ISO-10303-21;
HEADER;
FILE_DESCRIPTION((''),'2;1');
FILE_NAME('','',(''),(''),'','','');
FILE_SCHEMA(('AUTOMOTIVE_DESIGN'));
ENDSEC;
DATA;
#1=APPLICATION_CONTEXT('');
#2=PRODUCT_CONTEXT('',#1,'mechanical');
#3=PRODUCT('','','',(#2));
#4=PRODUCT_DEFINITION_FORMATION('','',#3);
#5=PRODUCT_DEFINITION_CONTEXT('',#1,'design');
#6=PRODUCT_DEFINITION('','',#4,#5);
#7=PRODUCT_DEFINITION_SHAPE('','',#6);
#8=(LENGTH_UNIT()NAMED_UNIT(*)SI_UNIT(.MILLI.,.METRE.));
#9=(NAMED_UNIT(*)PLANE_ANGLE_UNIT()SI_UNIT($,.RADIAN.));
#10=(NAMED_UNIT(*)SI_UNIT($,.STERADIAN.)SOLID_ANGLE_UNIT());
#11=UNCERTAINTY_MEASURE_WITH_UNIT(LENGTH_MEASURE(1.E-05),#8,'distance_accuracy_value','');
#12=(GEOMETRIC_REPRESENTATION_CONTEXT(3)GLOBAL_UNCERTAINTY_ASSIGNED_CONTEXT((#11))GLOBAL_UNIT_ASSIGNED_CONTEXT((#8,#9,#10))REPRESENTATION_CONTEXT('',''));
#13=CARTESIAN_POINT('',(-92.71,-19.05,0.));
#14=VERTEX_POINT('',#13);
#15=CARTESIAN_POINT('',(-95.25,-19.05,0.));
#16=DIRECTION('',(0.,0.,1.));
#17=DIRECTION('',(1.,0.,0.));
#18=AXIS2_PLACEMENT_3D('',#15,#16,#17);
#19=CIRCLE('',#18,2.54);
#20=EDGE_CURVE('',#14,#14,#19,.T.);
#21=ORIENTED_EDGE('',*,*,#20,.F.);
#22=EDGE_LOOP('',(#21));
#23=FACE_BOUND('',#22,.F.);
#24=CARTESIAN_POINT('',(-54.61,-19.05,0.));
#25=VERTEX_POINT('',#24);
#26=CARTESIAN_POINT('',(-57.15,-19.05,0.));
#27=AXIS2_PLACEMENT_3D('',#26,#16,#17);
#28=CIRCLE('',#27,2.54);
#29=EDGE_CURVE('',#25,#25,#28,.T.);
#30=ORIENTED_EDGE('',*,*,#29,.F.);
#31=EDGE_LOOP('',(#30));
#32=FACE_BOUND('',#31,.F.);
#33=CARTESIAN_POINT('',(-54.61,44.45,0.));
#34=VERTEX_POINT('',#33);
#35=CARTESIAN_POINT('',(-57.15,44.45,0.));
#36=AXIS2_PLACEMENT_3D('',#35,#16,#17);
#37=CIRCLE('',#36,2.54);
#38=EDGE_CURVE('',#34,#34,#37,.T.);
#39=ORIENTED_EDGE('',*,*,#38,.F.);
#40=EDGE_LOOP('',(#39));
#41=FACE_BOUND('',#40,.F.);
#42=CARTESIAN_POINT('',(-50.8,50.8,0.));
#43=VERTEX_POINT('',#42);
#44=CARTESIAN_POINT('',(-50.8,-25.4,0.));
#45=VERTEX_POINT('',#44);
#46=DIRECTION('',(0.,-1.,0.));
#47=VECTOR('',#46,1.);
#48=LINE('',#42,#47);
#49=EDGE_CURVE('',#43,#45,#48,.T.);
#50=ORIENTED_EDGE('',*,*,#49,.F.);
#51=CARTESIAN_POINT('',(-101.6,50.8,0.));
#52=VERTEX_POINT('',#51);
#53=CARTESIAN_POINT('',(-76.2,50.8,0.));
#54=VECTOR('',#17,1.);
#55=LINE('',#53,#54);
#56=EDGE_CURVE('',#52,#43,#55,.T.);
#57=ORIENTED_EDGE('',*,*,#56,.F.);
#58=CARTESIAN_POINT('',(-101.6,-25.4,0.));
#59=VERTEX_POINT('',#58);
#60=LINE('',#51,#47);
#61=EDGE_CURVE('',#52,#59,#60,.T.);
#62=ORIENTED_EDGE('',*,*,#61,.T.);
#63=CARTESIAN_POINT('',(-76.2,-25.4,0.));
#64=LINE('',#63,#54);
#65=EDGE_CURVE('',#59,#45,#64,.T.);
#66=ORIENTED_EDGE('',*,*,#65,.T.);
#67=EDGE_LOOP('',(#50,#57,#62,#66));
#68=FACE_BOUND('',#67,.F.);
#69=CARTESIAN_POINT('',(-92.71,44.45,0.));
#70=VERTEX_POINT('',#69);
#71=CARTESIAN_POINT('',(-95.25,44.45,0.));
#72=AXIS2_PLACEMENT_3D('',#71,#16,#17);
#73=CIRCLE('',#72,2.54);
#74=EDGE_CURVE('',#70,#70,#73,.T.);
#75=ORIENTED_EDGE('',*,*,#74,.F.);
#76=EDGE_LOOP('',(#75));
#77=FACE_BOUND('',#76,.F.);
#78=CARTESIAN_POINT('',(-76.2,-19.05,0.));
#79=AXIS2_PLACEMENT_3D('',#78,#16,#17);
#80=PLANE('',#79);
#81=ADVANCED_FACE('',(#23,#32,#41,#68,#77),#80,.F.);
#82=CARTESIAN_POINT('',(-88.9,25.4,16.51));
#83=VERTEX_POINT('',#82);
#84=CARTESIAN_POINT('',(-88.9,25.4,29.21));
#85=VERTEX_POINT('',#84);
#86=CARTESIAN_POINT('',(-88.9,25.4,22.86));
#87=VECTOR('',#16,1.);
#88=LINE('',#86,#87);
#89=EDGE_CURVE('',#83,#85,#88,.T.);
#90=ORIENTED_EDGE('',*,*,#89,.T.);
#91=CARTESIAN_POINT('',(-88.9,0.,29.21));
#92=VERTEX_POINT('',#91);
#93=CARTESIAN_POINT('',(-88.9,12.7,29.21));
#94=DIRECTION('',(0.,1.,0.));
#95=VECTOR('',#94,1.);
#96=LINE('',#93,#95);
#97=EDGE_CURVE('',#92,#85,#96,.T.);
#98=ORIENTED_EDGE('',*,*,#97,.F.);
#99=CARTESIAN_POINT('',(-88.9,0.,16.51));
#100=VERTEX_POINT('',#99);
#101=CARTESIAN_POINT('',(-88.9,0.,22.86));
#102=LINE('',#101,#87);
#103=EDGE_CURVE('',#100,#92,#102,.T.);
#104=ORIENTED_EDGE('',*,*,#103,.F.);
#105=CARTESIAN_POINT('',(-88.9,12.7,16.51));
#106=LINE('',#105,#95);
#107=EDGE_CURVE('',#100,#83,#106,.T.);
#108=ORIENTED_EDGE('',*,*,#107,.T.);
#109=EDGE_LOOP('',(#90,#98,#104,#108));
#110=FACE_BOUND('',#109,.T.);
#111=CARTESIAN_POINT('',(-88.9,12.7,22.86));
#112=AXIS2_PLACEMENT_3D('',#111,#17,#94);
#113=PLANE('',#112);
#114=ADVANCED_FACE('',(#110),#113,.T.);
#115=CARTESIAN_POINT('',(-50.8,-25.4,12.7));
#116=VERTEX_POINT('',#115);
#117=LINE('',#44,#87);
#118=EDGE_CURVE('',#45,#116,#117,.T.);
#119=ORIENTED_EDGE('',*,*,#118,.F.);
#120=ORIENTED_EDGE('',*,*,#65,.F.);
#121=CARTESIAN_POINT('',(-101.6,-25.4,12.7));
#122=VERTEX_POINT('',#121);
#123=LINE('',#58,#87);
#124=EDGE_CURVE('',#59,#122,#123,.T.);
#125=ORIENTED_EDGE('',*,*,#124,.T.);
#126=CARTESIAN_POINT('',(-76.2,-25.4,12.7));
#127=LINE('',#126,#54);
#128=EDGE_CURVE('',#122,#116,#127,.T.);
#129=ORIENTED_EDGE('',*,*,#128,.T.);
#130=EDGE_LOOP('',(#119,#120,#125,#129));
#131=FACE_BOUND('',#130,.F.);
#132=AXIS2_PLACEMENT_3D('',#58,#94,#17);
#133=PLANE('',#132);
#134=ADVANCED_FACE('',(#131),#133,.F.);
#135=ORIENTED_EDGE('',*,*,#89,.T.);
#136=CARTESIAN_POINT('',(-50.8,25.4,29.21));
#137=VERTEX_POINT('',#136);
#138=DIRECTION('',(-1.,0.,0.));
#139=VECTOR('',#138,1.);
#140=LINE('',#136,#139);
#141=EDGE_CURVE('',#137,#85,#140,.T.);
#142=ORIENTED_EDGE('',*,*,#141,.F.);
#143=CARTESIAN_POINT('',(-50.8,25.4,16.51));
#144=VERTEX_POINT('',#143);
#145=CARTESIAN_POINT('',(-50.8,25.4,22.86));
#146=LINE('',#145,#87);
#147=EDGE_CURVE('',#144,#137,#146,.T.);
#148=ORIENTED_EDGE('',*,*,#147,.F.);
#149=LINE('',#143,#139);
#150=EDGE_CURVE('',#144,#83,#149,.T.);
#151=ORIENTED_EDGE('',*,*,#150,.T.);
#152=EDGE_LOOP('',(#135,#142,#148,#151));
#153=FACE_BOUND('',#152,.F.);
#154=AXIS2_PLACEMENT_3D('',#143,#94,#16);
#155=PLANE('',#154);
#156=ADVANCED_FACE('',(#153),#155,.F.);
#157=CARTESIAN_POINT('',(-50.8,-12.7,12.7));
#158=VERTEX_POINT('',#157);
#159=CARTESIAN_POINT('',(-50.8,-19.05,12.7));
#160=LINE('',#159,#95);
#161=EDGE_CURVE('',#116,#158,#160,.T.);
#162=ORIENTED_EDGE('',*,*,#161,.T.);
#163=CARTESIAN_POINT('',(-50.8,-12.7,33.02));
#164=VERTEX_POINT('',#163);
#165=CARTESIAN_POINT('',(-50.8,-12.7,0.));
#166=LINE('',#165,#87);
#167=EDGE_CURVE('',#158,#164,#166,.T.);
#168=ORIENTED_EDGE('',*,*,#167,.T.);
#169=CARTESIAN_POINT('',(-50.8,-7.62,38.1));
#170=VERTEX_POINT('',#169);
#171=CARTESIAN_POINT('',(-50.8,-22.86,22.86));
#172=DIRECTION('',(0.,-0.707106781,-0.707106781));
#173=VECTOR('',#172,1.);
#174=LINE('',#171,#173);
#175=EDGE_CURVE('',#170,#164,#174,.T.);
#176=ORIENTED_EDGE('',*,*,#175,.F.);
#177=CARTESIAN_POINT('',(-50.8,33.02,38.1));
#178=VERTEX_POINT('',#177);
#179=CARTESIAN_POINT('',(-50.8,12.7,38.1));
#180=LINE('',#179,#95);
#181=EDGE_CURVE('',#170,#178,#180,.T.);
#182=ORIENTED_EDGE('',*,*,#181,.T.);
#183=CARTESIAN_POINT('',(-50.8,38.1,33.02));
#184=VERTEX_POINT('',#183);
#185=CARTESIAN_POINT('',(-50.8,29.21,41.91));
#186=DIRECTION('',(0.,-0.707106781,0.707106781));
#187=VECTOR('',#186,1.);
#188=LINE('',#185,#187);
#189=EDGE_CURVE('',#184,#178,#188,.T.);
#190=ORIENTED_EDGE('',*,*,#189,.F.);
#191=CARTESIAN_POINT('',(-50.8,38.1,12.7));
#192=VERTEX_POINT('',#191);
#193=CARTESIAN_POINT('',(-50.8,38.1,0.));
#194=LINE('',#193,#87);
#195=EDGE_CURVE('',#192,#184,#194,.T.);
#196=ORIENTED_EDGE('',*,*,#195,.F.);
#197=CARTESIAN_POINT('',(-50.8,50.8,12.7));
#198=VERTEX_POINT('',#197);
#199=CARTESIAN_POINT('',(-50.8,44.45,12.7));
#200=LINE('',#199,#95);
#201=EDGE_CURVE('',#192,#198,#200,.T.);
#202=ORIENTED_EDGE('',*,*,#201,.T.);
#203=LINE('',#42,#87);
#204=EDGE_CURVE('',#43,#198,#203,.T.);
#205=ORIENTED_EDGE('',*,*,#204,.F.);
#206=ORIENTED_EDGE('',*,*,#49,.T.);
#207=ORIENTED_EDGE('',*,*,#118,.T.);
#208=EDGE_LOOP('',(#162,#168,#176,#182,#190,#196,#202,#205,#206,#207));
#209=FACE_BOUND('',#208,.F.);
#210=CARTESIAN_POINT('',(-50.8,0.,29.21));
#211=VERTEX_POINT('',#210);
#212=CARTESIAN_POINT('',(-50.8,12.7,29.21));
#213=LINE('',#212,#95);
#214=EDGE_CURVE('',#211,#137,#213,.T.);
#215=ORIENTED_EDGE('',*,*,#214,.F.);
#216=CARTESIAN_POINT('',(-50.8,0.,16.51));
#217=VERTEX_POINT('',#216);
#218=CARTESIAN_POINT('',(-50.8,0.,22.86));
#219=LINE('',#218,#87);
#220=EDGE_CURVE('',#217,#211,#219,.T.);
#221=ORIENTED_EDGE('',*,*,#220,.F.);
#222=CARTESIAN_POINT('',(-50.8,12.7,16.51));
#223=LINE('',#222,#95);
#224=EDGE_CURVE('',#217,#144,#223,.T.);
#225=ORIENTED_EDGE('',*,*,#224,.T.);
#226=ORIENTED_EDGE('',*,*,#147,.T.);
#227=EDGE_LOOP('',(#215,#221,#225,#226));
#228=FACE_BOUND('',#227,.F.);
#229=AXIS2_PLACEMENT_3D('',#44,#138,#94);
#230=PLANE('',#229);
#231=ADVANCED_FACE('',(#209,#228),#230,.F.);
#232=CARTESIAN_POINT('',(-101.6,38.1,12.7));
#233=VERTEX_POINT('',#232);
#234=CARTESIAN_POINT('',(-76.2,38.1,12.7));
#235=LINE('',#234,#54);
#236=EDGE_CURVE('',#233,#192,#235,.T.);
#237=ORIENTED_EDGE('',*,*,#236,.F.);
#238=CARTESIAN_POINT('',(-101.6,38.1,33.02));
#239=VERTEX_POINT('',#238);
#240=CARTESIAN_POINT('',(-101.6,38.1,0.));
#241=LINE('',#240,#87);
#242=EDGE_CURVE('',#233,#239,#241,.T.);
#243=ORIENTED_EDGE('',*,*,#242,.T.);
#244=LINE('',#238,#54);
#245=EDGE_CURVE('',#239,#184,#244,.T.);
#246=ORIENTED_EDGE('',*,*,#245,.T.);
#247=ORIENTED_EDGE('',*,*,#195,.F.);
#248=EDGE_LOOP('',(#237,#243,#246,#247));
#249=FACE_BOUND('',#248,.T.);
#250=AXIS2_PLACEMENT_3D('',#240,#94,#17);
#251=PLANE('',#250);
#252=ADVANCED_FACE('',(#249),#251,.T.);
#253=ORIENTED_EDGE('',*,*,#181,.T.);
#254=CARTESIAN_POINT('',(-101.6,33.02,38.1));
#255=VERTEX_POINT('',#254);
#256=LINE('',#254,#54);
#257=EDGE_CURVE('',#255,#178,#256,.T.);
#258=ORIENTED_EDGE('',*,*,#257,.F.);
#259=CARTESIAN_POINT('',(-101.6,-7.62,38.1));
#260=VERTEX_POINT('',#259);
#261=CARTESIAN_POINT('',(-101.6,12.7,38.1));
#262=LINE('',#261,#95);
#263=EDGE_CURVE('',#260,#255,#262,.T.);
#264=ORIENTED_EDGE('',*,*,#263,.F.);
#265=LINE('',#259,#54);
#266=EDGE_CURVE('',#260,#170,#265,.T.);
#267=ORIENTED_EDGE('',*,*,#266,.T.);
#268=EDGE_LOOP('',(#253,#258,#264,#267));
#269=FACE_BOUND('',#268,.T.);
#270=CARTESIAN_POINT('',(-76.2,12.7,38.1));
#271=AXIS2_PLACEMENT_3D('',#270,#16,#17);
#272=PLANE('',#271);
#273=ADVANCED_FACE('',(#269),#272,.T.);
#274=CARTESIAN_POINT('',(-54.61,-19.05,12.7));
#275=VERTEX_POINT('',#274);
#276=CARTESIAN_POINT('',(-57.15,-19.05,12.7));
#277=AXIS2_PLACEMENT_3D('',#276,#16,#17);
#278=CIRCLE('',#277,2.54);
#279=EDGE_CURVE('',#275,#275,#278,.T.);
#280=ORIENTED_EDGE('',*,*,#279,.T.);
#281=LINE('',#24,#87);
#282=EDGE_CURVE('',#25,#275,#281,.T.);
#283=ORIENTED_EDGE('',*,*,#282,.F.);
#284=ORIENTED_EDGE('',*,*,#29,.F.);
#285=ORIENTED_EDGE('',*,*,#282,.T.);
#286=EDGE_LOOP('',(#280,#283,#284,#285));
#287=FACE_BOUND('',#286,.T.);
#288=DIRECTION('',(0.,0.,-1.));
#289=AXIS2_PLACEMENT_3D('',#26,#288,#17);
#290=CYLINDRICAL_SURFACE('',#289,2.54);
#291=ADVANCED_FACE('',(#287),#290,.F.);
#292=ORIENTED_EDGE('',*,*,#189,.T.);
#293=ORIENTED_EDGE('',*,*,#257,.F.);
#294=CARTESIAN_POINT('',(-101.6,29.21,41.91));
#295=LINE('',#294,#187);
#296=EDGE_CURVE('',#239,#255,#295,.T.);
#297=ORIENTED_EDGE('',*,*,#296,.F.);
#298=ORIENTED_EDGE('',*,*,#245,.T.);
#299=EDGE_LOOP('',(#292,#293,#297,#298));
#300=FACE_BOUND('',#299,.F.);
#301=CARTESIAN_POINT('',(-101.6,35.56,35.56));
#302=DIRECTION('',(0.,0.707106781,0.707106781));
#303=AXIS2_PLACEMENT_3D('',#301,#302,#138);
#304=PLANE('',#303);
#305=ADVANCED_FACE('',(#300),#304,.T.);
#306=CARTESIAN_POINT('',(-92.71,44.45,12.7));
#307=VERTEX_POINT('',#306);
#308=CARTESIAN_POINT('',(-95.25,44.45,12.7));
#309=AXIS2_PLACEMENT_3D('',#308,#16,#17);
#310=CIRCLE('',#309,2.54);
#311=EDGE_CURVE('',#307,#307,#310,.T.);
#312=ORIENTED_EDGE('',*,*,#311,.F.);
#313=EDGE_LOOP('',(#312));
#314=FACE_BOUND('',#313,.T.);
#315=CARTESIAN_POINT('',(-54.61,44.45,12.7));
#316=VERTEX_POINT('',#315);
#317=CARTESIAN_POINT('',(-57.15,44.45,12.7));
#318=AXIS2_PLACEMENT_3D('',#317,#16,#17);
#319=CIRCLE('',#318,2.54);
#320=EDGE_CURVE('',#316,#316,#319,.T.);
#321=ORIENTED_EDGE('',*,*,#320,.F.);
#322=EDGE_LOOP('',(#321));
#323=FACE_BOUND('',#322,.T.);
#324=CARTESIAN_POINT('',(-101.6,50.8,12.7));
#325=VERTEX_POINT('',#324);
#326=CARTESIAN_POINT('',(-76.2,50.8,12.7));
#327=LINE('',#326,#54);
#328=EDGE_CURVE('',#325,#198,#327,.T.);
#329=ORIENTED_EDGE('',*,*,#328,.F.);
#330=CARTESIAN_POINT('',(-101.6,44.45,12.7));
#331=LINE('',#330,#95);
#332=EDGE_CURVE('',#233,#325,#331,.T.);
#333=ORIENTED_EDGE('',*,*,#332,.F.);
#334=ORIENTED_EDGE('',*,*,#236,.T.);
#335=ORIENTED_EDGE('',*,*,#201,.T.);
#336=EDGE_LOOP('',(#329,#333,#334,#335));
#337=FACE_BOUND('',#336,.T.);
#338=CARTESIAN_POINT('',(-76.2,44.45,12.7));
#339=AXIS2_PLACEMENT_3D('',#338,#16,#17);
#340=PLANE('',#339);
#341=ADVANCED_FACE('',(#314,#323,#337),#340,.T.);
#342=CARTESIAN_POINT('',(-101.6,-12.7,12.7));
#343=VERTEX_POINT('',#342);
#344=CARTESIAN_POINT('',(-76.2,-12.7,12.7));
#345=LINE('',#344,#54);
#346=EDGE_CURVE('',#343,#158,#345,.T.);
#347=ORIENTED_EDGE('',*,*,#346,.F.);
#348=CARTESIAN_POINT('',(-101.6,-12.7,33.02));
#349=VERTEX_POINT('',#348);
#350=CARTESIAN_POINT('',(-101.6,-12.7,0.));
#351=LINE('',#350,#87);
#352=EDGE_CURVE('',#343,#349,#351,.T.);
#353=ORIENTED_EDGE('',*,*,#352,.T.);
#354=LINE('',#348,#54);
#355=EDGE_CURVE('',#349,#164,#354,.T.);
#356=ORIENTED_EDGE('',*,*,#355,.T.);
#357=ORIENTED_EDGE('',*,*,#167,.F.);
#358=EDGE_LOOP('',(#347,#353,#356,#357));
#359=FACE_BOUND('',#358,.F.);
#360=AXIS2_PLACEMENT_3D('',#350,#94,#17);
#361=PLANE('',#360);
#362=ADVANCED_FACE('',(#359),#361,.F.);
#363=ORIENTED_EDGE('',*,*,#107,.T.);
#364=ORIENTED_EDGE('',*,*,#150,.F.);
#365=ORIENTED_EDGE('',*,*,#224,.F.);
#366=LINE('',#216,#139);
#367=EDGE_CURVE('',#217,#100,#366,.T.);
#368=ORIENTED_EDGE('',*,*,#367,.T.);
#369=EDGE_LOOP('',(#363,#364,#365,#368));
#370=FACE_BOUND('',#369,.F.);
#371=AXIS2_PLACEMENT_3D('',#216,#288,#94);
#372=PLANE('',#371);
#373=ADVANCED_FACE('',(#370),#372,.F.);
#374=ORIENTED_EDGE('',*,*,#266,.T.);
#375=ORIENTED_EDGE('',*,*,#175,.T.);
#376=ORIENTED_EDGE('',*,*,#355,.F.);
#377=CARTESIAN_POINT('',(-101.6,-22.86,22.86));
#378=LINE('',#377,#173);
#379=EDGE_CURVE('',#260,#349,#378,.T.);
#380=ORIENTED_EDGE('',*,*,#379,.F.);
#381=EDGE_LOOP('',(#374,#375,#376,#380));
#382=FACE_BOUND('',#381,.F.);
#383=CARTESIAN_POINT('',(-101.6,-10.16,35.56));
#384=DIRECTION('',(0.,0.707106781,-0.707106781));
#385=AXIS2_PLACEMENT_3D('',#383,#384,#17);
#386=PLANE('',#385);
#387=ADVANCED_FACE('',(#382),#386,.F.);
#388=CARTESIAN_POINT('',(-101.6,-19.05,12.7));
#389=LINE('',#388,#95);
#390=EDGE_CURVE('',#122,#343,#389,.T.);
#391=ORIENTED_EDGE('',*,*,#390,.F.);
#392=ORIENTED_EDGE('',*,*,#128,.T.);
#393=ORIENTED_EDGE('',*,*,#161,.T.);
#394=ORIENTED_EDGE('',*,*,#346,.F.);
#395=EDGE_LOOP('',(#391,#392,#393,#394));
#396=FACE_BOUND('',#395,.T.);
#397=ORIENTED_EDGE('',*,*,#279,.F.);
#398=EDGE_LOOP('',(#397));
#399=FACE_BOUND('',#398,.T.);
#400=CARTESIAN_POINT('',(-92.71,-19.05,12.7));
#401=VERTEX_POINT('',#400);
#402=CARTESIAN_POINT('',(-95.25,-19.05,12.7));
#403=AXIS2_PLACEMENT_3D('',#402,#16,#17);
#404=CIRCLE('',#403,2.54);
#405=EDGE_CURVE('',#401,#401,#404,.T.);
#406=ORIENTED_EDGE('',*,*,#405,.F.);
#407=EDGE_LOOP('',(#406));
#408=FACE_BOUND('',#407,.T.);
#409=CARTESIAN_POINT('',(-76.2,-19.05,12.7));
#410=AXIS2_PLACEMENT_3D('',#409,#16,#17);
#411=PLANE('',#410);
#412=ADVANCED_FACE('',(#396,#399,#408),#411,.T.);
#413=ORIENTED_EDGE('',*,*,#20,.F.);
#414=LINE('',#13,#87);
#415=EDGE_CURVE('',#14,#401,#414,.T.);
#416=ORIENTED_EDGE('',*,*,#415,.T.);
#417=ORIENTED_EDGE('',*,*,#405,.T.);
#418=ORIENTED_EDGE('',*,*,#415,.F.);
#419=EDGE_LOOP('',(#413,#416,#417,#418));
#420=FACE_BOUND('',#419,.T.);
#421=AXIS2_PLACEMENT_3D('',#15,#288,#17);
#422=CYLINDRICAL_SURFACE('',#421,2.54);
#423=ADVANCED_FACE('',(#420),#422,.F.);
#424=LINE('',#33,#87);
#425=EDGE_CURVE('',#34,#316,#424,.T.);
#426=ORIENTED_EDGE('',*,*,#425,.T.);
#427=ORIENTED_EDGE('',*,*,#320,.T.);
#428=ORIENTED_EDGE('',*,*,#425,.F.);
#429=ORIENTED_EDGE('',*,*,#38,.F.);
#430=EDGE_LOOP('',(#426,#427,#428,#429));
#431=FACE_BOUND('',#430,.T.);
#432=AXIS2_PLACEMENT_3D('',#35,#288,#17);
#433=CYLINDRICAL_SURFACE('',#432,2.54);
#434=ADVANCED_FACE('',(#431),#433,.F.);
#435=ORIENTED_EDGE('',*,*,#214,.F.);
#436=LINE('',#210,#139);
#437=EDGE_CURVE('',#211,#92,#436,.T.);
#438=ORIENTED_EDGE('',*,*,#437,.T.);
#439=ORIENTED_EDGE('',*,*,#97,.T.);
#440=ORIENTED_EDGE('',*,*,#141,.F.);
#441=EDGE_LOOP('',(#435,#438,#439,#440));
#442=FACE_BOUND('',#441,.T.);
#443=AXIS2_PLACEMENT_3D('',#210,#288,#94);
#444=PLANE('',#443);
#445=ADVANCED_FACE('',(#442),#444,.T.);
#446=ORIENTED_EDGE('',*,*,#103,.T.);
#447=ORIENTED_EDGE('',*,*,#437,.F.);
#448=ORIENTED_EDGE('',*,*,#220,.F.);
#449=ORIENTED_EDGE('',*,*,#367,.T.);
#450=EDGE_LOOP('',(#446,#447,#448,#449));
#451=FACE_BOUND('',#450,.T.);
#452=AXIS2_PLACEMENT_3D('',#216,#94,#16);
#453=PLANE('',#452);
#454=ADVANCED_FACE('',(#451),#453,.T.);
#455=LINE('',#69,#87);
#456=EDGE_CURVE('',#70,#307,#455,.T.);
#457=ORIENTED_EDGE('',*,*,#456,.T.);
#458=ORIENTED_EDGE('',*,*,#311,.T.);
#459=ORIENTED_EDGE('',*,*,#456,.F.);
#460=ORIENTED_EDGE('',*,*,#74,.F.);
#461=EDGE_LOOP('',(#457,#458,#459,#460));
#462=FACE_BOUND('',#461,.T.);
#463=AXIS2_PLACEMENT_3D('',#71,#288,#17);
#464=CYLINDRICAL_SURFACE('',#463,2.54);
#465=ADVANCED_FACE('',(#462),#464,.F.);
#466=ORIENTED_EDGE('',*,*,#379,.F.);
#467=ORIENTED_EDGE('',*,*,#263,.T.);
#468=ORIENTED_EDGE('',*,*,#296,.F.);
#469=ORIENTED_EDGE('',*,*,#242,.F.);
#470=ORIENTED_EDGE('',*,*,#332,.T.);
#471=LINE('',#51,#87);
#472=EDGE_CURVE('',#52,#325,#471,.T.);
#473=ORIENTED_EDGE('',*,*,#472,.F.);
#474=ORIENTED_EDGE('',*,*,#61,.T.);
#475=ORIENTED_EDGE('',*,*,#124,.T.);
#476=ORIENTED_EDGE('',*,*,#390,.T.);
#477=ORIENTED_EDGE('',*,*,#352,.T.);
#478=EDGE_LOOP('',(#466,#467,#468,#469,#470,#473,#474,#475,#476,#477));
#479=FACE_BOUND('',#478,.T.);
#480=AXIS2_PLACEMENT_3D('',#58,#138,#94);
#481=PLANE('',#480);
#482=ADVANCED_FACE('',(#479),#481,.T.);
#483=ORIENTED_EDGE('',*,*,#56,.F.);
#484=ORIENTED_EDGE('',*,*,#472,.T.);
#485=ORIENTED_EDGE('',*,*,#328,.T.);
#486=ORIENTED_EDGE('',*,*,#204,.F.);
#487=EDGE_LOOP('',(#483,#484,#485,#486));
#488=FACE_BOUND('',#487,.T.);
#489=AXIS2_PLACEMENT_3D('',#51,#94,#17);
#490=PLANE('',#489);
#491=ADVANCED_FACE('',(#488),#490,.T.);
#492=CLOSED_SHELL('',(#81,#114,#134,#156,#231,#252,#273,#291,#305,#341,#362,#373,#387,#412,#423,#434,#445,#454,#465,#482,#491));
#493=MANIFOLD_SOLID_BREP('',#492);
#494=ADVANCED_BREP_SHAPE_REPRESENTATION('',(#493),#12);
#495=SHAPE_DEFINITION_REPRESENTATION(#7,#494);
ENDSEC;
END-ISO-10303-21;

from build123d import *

# Parameters (mm, degrees)
F0_W     = 50.8
F0_H     = 50.8
F1_DEPTH = 38.1
F0_H_2   = 12.7
F0_R     = 2.54
F2_DEPTH = 12.7
F3_SIZE  = 5.08
F4_W     = 25.4
F4_H     = 12.7
F5_DEPTH = 38.1


with BuildPart() as f1:
    # F0 (on Top) → F1 (new body)
    with BuildSketch(Plane.XY):
        with Locations((-76.2, 12.7)):
            Rectangle(F0_W, F0_H)
    extrude(amount=F1_DEPTH)

    # F0 (on Top) → F2 (join)
    with BuildSketch(Plane.XY):
        with Locations((-76.2, -19.05)):
            Rectangle(F0_W, F0_H_2)
        with Locations((-95.25, -19.05)):
            Circle(F0_R, mode=Mode.SUBTRACT)
        with Locations((-57.15, -19.05)):
            Circle(F0_R, mode=Mode.SUBTRACT)
        with Locations((-76.2, 44.45)):
            Rectangle(F0_W, F0_H_2)
        with Locations((-95.25, 44.45)):
            Circle(F0_R, mode=Mode.SUBTRACT)
        with Locations((-57.15, 44.45)):
            Circle(F0_R, mode=Mode.SUBTRACT)
    extrude(amount=F2_DEPTH)

    # F3
    f3_edges = [f1.edges().sort_by_distance(p)[0] for p in [
        (-76.2, 38.1, 38.1),
        (-76.2, -12.7, 38.1),
    ]]
    chamfer(f3_edges, length=F3_SIZE)

    # F4 (on face) → F5 (cut)
    with BuildSketch(Plane.YZ.offset(-50.8)):
        with Locations((12.7, 22.86)):
            Rectangle(F4_W, F4_H)
    extrude(amount=-F5_DEPTH, mode=Mode.SUBTRACT)


solid = f1.part
